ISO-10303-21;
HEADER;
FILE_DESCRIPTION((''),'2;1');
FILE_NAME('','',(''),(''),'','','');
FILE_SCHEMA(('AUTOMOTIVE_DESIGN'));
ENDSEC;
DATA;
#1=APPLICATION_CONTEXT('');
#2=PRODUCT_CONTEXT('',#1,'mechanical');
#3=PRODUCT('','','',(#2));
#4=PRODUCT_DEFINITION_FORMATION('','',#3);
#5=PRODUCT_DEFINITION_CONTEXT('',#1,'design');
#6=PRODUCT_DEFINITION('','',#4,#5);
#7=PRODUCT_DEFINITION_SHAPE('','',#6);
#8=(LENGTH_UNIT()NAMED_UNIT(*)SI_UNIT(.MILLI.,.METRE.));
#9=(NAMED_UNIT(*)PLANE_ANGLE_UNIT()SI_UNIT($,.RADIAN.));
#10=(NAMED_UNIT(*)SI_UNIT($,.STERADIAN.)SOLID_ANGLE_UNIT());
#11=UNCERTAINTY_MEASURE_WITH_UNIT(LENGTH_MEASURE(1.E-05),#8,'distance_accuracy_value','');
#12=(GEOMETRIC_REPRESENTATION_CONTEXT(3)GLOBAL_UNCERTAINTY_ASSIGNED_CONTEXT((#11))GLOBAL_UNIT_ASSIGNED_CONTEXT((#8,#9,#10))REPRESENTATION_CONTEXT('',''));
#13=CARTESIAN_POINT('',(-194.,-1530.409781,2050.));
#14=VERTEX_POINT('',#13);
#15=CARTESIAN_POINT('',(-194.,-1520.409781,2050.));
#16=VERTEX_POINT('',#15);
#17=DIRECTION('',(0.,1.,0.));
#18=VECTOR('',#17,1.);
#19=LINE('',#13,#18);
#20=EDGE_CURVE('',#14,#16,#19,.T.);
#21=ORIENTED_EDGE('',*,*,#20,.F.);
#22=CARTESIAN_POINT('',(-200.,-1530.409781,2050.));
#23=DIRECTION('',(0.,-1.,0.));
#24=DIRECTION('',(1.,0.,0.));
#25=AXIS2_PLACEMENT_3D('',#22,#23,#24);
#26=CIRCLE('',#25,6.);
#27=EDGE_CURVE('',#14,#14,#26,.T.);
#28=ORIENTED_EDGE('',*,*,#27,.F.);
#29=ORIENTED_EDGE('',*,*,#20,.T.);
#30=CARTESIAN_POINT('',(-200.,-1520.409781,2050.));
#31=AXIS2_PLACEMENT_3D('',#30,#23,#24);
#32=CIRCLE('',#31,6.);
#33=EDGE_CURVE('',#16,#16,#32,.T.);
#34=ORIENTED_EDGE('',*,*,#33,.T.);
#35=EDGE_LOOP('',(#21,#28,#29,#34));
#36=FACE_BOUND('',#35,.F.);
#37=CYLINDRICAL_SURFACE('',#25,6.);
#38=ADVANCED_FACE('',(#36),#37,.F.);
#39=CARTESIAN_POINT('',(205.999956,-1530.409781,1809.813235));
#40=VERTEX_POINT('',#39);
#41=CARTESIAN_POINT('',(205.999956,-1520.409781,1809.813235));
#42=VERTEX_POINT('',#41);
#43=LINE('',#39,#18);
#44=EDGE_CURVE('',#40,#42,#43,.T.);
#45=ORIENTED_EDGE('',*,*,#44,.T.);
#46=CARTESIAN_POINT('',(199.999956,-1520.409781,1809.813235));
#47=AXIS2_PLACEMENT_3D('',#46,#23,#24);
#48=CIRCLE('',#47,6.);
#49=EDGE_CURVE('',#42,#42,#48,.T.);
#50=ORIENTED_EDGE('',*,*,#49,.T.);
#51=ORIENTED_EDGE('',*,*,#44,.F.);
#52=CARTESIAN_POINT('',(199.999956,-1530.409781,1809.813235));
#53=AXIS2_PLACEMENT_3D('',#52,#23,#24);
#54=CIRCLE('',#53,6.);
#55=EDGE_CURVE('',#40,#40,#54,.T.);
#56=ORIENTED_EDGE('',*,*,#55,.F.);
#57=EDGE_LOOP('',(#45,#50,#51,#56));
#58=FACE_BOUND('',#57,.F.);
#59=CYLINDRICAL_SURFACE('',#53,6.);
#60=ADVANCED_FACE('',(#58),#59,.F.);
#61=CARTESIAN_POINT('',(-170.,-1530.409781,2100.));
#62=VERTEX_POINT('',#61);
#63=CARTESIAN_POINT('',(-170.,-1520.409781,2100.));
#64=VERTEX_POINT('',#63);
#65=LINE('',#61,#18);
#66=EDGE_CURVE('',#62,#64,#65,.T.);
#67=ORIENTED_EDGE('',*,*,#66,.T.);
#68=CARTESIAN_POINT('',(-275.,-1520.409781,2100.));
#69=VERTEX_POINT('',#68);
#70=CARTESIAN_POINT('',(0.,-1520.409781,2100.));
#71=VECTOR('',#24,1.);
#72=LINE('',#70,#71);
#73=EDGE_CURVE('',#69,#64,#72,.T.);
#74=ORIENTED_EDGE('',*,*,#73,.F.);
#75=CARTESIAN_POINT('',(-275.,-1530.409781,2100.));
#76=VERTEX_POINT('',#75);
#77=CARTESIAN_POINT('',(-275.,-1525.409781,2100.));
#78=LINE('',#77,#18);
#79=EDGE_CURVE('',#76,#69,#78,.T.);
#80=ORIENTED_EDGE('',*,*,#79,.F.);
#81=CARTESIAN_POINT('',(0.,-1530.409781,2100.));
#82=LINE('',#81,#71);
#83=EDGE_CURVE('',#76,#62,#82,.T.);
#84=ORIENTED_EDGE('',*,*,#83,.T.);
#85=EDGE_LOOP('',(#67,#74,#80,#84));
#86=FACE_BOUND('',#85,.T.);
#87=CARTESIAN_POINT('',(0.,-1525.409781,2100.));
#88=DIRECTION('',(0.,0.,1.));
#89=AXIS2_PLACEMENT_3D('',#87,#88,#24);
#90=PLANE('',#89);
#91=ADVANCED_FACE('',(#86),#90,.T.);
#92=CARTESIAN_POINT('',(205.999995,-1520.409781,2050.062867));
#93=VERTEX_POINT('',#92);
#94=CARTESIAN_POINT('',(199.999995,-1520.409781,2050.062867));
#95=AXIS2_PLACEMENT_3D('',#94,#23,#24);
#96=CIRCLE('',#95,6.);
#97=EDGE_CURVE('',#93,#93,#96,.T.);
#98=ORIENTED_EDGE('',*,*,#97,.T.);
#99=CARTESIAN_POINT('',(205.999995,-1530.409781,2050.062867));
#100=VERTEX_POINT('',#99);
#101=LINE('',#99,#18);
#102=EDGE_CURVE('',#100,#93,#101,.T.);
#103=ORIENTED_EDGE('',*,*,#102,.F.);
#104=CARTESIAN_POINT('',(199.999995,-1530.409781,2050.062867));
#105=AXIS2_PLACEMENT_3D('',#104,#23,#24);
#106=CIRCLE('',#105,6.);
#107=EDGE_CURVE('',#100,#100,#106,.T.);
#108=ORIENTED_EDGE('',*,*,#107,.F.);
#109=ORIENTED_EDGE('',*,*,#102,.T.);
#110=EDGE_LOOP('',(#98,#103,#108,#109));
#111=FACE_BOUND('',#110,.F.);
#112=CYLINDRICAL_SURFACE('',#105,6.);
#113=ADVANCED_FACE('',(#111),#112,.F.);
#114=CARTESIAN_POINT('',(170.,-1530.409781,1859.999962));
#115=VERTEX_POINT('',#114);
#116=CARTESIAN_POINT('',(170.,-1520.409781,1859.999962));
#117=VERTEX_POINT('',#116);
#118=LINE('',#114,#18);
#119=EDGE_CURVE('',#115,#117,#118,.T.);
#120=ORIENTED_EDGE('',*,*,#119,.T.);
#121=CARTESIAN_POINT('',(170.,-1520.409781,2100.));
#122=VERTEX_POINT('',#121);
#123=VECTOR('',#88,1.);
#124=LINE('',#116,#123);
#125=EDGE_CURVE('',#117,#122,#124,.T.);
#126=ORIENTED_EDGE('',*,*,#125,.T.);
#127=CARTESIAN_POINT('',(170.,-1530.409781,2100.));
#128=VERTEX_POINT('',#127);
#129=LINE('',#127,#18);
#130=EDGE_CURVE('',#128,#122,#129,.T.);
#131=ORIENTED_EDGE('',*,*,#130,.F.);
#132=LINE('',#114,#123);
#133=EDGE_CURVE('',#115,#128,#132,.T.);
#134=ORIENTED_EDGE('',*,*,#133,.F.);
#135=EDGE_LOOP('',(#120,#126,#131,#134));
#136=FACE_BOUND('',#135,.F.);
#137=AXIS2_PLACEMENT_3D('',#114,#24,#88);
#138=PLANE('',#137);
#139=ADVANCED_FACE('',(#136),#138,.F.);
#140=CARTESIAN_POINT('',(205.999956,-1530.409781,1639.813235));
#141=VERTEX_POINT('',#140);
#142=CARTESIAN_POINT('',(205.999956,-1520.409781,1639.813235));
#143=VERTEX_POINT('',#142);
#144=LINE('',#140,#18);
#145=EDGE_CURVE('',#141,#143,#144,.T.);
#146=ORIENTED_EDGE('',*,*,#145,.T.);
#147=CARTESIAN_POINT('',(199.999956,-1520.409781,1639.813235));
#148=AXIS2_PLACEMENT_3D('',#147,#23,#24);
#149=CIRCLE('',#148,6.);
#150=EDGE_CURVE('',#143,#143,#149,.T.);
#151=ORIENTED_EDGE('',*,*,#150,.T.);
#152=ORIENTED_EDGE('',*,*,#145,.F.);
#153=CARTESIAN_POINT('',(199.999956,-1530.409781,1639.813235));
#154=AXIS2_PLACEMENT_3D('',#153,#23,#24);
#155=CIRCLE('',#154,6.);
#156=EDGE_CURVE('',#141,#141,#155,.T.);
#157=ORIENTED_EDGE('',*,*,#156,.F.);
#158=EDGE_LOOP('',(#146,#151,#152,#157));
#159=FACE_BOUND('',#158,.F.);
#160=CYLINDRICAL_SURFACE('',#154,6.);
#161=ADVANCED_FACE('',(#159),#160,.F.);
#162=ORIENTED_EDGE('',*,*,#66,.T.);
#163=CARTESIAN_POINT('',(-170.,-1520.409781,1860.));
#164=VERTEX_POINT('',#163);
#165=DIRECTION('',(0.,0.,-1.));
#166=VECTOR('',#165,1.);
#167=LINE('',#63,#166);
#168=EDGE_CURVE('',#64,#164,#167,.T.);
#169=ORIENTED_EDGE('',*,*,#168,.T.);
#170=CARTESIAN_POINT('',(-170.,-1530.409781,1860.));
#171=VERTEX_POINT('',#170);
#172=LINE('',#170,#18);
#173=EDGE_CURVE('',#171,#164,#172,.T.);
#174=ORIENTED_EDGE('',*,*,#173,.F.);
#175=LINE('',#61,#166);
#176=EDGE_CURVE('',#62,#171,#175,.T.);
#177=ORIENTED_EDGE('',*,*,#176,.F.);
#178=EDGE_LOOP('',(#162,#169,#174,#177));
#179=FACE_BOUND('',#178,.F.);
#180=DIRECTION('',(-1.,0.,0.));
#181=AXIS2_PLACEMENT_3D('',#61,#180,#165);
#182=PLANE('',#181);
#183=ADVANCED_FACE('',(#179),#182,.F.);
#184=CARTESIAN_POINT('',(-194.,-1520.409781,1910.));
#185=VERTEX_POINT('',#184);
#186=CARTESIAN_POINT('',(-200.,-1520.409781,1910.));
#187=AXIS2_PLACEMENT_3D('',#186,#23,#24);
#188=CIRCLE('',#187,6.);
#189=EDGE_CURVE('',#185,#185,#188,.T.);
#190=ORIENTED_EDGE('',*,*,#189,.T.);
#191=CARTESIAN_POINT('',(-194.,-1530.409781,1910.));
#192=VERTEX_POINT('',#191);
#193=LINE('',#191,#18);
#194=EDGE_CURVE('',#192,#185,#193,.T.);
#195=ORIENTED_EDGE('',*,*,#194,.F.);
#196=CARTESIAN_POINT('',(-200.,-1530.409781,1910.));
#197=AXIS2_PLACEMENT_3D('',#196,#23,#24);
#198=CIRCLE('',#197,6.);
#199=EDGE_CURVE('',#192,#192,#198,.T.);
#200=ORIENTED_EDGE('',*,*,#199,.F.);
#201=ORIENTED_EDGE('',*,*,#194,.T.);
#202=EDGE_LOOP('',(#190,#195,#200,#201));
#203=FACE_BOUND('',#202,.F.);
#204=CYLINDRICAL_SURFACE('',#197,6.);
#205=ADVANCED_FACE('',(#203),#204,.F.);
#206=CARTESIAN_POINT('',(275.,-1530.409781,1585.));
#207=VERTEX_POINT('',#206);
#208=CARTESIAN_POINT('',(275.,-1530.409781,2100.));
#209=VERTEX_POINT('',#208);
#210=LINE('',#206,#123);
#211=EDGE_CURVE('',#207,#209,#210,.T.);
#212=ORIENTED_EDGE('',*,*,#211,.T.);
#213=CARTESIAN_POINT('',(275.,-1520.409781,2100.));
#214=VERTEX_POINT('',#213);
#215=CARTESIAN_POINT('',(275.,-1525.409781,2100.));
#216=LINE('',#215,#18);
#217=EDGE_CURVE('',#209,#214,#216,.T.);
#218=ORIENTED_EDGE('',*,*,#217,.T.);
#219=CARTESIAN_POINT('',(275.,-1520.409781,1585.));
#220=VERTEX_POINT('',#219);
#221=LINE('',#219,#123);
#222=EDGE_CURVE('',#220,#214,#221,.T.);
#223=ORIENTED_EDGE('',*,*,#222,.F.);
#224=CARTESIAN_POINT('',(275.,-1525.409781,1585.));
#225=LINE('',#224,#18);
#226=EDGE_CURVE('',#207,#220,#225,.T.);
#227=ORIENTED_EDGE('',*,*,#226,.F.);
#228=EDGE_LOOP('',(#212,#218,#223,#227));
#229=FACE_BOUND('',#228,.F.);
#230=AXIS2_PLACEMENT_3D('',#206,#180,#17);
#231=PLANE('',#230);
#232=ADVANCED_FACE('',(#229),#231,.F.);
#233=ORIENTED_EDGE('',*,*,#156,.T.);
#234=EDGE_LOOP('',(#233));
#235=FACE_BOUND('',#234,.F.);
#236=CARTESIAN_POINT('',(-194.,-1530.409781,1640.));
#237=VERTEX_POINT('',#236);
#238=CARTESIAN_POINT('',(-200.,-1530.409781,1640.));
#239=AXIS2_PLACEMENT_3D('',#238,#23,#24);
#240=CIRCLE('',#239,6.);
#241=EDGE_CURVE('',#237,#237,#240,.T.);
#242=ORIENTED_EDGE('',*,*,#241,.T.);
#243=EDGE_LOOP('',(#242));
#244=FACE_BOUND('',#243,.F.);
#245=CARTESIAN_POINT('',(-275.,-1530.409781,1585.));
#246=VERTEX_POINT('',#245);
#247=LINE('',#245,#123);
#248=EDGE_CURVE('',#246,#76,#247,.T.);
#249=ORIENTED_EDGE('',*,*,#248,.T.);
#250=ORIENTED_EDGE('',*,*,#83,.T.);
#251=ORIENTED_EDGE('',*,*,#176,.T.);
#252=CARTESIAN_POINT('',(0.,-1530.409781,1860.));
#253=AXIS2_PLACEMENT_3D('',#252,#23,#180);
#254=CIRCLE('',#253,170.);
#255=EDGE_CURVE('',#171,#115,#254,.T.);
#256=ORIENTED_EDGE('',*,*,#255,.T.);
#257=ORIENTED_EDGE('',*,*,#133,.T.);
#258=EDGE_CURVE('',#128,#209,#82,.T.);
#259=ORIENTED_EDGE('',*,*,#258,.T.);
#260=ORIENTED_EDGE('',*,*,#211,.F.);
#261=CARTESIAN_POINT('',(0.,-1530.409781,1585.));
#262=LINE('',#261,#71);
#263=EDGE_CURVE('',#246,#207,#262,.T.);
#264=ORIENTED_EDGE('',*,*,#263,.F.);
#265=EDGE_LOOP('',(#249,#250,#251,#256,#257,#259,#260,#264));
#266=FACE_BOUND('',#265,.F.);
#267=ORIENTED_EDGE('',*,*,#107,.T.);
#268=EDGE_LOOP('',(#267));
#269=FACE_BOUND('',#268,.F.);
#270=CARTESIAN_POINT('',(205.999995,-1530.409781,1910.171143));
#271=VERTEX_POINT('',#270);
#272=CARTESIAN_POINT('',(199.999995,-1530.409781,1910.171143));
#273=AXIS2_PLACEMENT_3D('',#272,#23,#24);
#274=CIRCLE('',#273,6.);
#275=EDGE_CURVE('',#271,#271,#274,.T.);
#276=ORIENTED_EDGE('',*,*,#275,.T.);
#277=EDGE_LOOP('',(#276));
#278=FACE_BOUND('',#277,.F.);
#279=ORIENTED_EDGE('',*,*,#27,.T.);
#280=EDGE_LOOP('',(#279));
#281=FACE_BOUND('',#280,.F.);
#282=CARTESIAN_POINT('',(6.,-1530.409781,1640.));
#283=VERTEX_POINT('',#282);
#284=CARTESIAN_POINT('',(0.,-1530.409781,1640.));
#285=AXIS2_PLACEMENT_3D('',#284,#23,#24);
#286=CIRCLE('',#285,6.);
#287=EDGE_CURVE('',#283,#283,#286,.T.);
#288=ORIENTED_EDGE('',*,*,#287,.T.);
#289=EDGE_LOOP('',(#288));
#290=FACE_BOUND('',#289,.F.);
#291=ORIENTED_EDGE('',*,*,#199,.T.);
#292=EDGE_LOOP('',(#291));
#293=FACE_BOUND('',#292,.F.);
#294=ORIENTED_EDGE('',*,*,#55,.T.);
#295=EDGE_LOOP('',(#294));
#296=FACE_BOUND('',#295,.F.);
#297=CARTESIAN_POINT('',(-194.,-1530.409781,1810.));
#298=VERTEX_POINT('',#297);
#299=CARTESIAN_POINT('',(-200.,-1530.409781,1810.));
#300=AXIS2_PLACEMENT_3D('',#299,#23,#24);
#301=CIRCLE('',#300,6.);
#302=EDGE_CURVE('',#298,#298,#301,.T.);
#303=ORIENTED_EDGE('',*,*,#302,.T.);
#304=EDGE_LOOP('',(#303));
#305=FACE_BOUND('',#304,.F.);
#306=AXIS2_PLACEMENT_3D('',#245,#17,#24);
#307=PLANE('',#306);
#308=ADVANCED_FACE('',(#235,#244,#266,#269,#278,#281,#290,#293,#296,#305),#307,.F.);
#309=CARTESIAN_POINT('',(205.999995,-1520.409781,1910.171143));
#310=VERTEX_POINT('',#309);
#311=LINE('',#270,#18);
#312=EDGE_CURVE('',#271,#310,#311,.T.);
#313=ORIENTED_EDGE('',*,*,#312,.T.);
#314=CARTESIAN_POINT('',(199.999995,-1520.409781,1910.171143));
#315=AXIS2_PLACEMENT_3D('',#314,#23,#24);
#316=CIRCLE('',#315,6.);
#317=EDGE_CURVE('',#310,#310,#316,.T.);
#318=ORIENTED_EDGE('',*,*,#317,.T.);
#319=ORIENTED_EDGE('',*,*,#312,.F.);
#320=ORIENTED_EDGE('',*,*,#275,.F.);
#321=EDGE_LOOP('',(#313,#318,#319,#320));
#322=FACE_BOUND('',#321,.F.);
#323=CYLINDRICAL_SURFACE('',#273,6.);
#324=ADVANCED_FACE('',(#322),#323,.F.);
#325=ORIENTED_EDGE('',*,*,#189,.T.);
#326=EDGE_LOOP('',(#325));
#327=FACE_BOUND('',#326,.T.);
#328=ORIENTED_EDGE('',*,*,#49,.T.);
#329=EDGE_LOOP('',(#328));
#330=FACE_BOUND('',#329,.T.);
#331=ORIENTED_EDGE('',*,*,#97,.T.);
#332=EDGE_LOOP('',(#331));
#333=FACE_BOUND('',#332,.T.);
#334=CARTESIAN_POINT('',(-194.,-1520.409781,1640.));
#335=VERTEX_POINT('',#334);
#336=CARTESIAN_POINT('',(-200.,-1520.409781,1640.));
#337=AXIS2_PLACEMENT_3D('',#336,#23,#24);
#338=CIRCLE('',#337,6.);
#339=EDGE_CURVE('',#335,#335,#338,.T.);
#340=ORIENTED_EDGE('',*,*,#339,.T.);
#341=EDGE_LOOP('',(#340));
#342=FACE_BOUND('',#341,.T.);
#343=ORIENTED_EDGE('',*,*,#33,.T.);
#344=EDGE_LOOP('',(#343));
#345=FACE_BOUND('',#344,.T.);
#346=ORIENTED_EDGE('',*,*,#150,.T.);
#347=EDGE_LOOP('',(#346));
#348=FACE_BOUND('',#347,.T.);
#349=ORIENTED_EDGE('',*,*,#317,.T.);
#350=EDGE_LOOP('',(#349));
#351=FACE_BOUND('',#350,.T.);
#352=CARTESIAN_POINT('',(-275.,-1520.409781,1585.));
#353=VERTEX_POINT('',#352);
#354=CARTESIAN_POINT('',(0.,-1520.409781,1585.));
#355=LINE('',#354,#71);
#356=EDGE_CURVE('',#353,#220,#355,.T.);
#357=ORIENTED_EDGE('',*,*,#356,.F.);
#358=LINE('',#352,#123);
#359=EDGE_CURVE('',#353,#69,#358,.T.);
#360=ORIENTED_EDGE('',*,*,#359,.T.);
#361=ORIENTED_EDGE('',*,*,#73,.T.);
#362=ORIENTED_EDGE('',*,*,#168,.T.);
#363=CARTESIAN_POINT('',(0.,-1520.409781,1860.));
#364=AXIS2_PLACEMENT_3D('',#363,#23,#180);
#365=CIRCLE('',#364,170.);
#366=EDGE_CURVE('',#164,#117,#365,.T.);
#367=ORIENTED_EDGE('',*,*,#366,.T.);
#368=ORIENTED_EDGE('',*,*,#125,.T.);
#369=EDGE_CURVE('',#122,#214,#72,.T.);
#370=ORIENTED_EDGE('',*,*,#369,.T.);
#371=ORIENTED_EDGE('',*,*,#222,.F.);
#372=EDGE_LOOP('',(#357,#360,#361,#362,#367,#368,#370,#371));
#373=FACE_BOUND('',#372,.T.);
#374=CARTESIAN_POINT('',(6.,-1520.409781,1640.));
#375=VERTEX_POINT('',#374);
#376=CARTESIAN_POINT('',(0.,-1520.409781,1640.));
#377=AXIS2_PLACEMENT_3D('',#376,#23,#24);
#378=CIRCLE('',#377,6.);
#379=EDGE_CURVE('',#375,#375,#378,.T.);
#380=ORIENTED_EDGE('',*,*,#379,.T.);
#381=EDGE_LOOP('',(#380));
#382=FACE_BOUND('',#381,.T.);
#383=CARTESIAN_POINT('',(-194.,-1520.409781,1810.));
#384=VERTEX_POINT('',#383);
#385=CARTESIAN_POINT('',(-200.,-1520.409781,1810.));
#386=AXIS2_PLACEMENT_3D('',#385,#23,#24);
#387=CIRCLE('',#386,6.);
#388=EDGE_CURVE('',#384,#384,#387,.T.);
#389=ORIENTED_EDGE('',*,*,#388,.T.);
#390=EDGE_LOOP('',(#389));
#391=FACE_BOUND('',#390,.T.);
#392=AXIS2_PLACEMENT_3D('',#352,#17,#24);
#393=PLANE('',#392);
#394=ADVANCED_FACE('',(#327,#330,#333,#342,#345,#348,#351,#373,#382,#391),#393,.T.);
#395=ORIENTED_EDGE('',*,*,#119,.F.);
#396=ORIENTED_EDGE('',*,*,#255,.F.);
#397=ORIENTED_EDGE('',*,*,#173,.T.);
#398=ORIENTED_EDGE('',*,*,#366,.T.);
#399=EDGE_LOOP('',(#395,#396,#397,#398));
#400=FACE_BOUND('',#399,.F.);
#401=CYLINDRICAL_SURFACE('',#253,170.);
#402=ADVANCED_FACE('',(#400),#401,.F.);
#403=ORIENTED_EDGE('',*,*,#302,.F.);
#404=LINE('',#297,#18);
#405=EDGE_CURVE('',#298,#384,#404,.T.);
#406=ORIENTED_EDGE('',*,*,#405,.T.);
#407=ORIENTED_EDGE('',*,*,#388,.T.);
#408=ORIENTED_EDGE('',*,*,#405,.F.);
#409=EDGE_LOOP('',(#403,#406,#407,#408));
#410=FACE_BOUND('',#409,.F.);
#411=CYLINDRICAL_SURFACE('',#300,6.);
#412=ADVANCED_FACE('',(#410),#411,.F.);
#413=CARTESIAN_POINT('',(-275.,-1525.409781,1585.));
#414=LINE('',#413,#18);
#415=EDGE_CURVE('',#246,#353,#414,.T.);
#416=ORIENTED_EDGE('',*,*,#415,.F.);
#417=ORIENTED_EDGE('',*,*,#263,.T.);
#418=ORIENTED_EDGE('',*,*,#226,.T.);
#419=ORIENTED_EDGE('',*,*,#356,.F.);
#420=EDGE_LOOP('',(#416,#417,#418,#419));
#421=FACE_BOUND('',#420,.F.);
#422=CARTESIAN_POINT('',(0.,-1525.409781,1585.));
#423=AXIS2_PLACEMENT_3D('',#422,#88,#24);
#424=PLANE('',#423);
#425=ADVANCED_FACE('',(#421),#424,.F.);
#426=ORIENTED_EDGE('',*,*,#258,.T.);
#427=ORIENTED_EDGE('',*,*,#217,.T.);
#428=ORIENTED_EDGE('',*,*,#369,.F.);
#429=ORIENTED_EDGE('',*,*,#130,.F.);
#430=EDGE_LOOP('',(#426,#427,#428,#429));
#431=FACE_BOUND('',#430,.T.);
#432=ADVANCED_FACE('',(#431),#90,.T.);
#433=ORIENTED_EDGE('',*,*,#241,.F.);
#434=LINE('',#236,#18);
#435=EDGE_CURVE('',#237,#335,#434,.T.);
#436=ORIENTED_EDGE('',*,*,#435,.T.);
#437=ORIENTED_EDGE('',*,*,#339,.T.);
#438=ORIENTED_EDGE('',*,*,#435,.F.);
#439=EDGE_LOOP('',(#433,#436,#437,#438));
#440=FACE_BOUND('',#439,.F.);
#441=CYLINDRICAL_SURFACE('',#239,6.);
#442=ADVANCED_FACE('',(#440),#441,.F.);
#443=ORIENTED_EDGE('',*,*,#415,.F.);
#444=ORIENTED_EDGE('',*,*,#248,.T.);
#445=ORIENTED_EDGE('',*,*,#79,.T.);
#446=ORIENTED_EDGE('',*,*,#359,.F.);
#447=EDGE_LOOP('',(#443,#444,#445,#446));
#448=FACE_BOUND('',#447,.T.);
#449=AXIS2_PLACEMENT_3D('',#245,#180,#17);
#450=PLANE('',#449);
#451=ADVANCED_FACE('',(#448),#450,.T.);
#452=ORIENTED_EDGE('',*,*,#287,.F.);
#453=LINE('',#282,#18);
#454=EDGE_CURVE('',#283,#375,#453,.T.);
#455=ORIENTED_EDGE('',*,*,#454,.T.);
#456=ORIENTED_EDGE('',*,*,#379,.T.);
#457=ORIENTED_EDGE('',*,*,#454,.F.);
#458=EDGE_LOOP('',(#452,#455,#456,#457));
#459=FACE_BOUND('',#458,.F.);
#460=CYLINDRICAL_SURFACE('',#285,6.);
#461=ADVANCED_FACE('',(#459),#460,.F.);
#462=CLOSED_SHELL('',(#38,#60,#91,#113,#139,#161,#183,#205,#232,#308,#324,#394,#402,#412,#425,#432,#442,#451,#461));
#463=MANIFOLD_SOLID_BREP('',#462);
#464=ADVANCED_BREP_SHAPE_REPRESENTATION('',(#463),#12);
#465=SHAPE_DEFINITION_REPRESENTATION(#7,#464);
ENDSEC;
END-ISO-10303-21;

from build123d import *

# Parameters (mm, degrees)
SKETCH005_R      = 6
EXTRUDE004_DEPTH = 10
EXTRUDE003_DEPTH = 10
SKETCH003_W      = 550
SKETCH003_H      = 10
EXTRUDE002_DEPTH = 515


with BuildPart() as extrude004:
    # Sketch005 (on Face1 of Cut004) → Extrude004 (new body)
    with BuildSketch(Plane.XZ.offset(1530.409781)):
        with Locations((-200, 1910)):
            Circle(SKETCH005_R)
        with Locations((-200, 2050)):
            Circle(SKETCH005_R)
        with Locations((199.999995, 2050.062867)):
            Circle(SKETCH005_R)
        with Locations((199.999995, 1910.171143)):
            Circle(SKETCH005_R)
        with Locations((-200, 1810)):
            Circle(SKETCH005_R)
        with Locations((-200, 1640)):
            Circle(SKETCH005_R)
        with Locations((199.999956, 1809.813235)):
            Circle(SKETCH005_R)
        with Locations((199.999956, 1639.813235)):
            Circle(SKETCH005_R)
        with Locations((0, 1640)):
            Circle(SKETCH005_R)
    extrude(amount=-EXTRUDE004_DEPTH)


with BuildPart() as extrude003:
    # Sketch004 (on Face1 of Extrude002) → Extrude003 (new body)
    with BuildSketch(Plane.XZ.offset(1530.409781)):
        with BuildLine():
            Line((-170, 2100), (-170, 1860))
            ThreePointArc((-170, 1860), (-1.9e-05, 1690), (170, 1859.999962))
            Line((170, 1859.999962), (170, 2100))
            Line((170, 2100), (-170, 2100))
        make_face()
    extrude(amount=-EXTRUDE003_DEPTH)


with BuildPart() as cut005:
    # Sketch003 (on Face6 of Extrude001) → Extrude002 (new body)
    with BuildSketch(Plane.XY.offset(1585)):
        with Locations((0, -1525.409781)):
            Rectangle(SKETCH003_W, SKETCH003_H)
    extrude(amount=EXTRUDE002_DEPTH)

    # Cut004: cut Extrude003
    add(extrude003.part, mode=Mode.SUBTRACT)

    # Cut005: cut Extrude004
    add(extrude004.part, mode=Mode.SUBTRACT)


solid = cut005.part
